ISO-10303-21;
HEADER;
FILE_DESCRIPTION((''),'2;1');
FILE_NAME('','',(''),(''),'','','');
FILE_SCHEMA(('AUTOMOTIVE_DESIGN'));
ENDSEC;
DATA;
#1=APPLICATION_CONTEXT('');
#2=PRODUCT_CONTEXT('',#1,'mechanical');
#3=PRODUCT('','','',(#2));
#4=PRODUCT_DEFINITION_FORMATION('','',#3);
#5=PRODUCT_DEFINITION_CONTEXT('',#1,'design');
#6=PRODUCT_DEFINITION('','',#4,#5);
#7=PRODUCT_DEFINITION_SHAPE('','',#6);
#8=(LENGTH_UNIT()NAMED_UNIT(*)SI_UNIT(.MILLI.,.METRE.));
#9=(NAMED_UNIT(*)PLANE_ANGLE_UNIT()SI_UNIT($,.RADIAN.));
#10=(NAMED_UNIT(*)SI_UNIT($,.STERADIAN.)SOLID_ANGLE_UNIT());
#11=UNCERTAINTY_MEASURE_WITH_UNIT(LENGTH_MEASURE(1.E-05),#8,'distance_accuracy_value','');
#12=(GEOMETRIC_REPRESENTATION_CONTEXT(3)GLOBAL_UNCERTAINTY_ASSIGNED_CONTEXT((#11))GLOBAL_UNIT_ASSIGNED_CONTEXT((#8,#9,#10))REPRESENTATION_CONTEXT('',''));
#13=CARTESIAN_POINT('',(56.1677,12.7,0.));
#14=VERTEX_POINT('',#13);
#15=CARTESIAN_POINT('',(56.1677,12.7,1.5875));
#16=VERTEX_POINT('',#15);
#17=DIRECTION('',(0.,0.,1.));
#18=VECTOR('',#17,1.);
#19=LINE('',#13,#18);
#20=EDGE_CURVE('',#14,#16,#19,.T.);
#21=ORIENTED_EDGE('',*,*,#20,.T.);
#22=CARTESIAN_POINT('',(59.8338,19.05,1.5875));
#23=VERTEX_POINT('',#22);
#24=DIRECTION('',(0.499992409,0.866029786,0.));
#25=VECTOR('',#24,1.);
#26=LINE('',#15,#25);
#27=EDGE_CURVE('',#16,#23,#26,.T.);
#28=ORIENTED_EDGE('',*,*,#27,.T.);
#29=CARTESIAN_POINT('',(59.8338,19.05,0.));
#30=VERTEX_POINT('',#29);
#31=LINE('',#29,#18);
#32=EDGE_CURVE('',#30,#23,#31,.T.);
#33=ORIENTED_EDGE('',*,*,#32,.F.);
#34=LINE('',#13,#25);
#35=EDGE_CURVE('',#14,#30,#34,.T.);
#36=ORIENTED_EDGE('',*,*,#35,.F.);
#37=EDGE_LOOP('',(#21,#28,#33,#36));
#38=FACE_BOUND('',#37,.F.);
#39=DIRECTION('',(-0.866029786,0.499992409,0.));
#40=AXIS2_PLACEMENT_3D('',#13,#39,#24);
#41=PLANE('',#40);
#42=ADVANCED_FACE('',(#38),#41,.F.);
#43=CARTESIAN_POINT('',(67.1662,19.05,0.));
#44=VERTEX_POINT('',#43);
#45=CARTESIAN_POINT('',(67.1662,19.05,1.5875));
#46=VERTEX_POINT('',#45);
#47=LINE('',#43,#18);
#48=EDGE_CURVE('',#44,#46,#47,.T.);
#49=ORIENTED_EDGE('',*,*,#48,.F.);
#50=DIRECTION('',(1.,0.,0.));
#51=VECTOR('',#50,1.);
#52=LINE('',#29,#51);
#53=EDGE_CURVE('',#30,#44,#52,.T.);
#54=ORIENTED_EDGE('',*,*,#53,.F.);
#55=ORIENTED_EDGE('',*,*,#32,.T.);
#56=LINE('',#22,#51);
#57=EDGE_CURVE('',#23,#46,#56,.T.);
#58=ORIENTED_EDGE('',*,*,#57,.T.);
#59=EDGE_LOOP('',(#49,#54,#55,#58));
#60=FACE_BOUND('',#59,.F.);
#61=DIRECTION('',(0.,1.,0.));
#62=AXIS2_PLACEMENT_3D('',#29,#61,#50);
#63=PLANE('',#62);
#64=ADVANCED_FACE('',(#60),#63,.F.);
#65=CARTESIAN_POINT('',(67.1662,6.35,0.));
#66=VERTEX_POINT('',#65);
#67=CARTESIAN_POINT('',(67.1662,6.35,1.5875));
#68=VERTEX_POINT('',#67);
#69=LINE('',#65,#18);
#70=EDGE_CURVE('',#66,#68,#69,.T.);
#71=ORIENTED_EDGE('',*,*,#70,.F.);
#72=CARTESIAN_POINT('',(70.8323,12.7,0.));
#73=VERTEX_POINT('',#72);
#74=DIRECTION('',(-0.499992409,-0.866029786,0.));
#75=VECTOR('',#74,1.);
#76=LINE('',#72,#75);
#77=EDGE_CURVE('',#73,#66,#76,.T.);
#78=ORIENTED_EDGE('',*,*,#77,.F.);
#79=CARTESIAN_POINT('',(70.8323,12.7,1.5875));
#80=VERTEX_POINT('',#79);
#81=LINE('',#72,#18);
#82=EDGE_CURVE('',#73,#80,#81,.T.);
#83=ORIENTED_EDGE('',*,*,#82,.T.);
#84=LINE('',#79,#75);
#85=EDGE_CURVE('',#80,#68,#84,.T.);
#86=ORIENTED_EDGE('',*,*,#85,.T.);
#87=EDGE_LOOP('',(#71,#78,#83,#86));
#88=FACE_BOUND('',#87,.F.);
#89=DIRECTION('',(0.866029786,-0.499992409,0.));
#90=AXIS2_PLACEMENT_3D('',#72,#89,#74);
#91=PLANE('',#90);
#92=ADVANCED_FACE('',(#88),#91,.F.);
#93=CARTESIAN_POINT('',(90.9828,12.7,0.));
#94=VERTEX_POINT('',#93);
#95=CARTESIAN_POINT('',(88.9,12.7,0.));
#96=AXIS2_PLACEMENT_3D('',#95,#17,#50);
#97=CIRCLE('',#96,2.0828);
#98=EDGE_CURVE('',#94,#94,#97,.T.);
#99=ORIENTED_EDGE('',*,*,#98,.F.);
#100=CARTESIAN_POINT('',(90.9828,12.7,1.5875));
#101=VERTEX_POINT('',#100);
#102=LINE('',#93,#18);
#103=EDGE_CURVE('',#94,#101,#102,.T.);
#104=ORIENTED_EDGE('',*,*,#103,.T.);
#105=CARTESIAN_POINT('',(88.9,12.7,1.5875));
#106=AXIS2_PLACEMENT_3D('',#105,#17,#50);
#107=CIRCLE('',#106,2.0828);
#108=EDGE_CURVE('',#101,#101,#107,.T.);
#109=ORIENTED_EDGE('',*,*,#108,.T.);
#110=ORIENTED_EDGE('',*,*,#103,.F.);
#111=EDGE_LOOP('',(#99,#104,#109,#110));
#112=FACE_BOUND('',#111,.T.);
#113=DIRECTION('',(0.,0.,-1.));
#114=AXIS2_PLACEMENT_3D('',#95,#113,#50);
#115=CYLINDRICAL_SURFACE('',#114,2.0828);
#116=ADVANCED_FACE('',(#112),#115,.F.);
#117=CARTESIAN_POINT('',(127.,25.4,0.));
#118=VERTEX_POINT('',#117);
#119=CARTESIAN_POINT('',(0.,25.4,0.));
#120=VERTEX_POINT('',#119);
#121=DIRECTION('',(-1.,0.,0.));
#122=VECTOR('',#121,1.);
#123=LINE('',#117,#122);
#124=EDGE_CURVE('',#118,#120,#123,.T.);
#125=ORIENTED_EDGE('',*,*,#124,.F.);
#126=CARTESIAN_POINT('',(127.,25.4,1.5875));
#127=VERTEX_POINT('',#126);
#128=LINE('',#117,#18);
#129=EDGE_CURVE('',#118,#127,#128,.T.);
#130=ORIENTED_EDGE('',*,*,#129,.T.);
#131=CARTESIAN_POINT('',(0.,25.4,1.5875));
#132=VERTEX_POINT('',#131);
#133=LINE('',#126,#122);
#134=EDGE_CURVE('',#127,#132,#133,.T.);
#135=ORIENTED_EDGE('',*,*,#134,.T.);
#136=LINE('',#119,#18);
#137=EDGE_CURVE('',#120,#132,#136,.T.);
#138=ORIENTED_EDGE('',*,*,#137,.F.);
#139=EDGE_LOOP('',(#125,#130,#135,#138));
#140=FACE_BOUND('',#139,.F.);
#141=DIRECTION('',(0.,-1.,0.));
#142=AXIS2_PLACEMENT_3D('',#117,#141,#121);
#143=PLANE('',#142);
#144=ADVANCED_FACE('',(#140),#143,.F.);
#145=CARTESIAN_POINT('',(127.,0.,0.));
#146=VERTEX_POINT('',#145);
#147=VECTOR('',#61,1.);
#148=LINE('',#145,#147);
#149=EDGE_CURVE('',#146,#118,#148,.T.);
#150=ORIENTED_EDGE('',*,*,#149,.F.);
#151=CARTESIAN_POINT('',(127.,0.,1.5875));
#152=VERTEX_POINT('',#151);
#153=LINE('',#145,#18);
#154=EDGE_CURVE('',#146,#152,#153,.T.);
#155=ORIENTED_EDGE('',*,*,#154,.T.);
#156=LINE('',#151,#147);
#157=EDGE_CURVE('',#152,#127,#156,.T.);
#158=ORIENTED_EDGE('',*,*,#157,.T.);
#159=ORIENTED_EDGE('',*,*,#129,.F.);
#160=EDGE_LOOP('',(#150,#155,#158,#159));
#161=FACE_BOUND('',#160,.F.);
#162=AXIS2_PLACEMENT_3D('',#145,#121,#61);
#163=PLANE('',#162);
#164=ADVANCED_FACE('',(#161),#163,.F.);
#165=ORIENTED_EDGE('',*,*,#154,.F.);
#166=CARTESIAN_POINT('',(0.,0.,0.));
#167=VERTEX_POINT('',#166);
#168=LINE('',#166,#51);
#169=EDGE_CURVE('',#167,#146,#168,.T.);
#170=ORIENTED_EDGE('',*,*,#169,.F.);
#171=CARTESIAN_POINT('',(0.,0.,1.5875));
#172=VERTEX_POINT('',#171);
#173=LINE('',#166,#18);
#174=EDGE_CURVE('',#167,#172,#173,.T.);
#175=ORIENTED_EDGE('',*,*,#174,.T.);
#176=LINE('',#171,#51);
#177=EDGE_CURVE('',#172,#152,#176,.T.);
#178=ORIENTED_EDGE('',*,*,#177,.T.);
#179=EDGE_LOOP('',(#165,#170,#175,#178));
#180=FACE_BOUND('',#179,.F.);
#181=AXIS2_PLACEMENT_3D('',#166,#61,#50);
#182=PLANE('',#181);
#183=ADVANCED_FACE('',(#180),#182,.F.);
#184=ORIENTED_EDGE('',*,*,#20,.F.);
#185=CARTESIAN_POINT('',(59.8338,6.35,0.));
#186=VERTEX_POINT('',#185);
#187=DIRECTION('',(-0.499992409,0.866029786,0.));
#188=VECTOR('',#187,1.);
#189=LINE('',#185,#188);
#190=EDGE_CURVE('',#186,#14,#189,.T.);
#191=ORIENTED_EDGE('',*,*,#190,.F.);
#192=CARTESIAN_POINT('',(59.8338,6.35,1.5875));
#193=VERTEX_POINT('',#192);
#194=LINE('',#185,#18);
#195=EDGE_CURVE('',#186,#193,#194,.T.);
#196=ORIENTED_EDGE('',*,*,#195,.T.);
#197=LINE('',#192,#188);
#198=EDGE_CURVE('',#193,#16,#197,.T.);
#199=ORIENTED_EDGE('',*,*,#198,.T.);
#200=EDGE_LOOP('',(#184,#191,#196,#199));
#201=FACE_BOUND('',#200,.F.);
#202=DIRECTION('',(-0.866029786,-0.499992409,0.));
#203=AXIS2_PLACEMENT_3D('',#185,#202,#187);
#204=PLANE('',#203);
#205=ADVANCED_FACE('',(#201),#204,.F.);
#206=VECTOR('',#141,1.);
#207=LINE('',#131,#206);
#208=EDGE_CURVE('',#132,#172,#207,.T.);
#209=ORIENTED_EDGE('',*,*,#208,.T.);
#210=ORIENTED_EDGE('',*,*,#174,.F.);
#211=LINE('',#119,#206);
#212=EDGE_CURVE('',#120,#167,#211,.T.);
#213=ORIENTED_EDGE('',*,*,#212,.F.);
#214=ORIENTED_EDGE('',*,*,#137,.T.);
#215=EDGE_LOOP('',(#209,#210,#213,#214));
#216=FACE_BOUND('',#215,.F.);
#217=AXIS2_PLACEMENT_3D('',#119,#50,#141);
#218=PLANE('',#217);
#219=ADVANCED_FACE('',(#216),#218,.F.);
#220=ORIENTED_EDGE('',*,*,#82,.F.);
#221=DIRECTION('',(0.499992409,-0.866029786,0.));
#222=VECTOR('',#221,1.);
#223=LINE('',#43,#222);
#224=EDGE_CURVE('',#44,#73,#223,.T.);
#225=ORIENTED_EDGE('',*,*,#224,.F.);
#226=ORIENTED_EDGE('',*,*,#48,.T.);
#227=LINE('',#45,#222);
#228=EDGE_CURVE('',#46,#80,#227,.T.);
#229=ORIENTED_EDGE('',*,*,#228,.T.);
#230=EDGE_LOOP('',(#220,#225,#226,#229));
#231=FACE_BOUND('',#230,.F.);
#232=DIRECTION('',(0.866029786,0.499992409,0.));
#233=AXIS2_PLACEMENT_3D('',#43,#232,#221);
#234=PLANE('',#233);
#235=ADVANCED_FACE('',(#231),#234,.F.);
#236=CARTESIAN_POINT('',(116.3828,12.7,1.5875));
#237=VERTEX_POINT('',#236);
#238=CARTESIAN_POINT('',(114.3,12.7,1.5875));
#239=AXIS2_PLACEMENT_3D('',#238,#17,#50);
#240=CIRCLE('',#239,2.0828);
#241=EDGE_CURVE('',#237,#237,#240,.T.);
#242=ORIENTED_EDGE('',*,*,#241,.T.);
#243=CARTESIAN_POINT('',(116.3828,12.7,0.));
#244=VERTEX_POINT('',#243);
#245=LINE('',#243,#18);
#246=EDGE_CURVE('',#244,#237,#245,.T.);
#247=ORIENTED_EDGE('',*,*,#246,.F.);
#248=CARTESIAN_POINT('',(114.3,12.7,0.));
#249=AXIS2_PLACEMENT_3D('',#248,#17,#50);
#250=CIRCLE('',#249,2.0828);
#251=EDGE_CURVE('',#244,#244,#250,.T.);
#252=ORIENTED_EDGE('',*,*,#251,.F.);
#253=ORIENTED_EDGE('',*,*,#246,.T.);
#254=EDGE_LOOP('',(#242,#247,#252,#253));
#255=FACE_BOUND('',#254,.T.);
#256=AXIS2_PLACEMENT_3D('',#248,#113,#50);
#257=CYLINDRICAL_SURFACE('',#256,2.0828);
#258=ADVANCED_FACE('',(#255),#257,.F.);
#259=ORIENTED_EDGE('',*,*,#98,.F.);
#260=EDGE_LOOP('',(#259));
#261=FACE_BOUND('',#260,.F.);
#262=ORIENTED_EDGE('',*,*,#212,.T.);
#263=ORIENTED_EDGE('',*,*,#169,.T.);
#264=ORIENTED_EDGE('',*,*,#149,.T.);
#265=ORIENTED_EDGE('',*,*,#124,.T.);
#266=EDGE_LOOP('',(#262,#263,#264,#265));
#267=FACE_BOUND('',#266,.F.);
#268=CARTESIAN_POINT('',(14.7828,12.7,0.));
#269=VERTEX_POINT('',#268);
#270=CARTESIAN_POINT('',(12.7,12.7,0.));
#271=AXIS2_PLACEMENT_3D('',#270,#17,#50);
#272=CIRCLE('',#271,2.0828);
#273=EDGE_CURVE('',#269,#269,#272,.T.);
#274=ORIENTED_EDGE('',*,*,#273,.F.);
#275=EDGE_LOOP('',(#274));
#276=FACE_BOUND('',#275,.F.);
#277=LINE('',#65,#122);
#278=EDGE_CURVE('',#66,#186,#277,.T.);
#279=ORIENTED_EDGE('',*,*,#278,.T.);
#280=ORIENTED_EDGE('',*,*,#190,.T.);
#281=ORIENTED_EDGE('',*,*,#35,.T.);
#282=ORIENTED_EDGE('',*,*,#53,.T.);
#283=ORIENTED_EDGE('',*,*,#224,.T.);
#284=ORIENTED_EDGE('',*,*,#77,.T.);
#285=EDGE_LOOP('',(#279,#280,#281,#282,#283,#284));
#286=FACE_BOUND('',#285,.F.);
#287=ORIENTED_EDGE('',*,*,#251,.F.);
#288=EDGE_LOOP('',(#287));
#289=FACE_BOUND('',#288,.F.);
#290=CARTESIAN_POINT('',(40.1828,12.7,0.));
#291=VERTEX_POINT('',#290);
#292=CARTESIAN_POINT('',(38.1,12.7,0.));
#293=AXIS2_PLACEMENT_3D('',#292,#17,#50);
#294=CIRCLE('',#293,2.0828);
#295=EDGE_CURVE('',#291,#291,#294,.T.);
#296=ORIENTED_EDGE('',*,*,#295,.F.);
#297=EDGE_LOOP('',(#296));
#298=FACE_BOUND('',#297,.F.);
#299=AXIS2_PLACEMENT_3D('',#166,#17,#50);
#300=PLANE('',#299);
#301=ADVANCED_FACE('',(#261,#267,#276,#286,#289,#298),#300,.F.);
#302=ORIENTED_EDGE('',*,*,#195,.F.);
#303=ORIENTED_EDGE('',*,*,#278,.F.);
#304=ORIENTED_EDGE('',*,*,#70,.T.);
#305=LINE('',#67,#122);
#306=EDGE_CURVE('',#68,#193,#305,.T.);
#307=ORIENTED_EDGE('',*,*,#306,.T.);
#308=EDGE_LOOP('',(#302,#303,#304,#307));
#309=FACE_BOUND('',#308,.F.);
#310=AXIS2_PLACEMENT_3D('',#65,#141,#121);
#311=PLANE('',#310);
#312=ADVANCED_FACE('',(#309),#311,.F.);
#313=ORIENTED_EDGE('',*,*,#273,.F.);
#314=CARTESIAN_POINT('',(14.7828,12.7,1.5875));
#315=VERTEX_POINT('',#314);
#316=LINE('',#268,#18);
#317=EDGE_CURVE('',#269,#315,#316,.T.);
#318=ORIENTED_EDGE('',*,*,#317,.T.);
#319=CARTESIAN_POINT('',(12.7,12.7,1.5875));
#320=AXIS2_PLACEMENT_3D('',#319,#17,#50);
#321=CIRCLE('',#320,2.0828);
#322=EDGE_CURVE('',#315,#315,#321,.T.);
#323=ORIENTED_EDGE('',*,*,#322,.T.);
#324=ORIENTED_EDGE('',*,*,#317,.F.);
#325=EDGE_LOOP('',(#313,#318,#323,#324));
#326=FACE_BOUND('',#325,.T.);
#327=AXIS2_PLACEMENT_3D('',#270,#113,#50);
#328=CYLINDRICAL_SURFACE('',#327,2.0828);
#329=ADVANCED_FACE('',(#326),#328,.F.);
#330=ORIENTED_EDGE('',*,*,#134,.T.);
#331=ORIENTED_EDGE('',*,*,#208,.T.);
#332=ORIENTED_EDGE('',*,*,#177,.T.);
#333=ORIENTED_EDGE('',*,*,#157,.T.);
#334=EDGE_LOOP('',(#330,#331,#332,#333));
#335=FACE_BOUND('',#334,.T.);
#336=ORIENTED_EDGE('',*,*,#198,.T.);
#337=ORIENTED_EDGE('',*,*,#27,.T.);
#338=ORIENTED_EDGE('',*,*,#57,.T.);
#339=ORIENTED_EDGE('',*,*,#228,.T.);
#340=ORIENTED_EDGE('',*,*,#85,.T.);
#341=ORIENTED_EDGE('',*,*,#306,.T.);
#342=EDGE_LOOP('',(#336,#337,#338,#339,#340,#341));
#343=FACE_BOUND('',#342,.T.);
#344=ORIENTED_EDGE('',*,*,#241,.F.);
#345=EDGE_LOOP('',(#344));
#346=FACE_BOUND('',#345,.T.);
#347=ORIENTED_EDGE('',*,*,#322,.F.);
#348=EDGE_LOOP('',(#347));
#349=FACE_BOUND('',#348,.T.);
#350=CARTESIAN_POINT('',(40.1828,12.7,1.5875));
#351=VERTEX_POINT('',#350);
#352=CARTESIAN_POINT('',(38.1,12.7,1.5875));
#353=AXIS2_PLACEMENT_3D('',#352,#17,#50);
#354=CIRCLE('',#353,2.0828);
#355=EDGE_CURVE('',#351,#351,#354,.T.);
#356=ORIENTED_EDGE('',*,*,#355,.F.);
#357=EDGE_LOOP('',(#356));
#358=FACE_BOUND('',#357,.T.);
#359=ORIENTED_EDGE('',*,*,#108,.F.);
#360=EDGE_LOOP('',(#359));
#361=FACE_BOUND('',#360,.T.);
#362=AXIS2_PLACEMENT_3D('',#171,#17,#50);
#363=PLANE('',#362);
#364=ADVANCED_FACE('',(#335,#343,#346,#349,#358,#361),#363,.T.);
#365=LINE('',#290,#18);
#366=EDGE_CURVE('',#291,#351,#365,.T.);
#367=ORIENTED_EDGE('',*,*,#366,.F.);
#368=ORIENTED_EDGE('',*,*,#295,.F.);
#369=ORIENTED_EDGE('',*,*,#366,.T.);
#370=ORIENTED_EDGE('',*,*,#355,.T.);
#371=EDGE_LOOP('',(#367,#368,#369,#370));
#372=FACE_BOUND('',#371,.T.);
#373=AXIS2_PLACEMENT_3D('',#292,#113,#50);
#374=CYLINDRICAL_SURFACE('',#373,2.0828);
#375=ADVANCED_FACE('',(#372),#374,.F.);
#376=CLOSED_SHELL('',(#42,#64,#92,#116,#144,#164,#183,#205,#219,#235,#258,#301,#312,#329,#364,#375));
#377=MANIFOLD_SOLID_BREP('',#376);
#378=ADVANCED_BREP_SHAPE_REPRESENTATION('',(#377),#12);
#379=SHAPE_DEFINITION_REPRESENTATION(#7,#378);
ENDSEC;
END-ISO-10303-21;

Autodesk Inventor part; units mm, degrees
ref_plane "YZ Plane" through (0, 0, 0) normal (1, 0, 0) x (0, 1, 0)
ref_plane "XZ Plane" through (0, 0, 0) normal (0, 1, 0) x (-1, 0, 0)
ref_plane "XY Plane" through (0, 0, 0) normal (0, 0, 1) x (1, 0, 0)
sketch "Sketch1" plane through (0, 0, 0) normal (0, 0, 1) x (1, 0, 0)
  line L0 (0, 0) -> (127, 0)
  line L1 (127, 0) -> (127, 25.4)
  line L2 (127, 25.4) -> (0, 25.4)
  line L3 (0, 25.4) -> (0, 0)
  line L4 (67.1662, 19.05) -> (70.8323, 12.7)
  line L5 (70.8323, 12.7) -> (67.1662, 6.35)
  line L6 (67.1662, 6.35) -> (59.8338, 6.35)
  line L7 (59.8338, 6.35) -> (56.1677, 12.7)
  line L8 (56.1677, 12.7) -> (59.8338, 19.05)
  line L9 (59.8338, 19.05) -> (67.1662, 19.05)
  circle A0 centre (12.7, 12.7) radius 2.0828
  circle A1 centre (114.3, 12.7) radius 2.0828
  circle A2 centre (88.9, 12.7) radius 2.0828
  circle A3 centre (38.1, 12.7) radius 2.0828
  point P0 (63.5, 12.7)
  dimension "d0" = 127
  dimension "d1" = 25.4
  dimension "d4" = 12.7
  dimension "d5" = 12.7
  dimension "d6" = 63.5
  dimension "d7" = 4.1656
  dimension "d8" = 4.1656
  dimension "d9" = 12.7
  dimension "d10" = 12.7
  dimension "d11" = 12.7
  dimension "d12" = 12.7
  dimension "d15" = 25.4
  dimension "d22" = 25.4
extrude "Extrusion1" add sketch "Sketch1" along normal blind 1.5875
properties part number "Steel Plate (0.0625)" material "Steel"
